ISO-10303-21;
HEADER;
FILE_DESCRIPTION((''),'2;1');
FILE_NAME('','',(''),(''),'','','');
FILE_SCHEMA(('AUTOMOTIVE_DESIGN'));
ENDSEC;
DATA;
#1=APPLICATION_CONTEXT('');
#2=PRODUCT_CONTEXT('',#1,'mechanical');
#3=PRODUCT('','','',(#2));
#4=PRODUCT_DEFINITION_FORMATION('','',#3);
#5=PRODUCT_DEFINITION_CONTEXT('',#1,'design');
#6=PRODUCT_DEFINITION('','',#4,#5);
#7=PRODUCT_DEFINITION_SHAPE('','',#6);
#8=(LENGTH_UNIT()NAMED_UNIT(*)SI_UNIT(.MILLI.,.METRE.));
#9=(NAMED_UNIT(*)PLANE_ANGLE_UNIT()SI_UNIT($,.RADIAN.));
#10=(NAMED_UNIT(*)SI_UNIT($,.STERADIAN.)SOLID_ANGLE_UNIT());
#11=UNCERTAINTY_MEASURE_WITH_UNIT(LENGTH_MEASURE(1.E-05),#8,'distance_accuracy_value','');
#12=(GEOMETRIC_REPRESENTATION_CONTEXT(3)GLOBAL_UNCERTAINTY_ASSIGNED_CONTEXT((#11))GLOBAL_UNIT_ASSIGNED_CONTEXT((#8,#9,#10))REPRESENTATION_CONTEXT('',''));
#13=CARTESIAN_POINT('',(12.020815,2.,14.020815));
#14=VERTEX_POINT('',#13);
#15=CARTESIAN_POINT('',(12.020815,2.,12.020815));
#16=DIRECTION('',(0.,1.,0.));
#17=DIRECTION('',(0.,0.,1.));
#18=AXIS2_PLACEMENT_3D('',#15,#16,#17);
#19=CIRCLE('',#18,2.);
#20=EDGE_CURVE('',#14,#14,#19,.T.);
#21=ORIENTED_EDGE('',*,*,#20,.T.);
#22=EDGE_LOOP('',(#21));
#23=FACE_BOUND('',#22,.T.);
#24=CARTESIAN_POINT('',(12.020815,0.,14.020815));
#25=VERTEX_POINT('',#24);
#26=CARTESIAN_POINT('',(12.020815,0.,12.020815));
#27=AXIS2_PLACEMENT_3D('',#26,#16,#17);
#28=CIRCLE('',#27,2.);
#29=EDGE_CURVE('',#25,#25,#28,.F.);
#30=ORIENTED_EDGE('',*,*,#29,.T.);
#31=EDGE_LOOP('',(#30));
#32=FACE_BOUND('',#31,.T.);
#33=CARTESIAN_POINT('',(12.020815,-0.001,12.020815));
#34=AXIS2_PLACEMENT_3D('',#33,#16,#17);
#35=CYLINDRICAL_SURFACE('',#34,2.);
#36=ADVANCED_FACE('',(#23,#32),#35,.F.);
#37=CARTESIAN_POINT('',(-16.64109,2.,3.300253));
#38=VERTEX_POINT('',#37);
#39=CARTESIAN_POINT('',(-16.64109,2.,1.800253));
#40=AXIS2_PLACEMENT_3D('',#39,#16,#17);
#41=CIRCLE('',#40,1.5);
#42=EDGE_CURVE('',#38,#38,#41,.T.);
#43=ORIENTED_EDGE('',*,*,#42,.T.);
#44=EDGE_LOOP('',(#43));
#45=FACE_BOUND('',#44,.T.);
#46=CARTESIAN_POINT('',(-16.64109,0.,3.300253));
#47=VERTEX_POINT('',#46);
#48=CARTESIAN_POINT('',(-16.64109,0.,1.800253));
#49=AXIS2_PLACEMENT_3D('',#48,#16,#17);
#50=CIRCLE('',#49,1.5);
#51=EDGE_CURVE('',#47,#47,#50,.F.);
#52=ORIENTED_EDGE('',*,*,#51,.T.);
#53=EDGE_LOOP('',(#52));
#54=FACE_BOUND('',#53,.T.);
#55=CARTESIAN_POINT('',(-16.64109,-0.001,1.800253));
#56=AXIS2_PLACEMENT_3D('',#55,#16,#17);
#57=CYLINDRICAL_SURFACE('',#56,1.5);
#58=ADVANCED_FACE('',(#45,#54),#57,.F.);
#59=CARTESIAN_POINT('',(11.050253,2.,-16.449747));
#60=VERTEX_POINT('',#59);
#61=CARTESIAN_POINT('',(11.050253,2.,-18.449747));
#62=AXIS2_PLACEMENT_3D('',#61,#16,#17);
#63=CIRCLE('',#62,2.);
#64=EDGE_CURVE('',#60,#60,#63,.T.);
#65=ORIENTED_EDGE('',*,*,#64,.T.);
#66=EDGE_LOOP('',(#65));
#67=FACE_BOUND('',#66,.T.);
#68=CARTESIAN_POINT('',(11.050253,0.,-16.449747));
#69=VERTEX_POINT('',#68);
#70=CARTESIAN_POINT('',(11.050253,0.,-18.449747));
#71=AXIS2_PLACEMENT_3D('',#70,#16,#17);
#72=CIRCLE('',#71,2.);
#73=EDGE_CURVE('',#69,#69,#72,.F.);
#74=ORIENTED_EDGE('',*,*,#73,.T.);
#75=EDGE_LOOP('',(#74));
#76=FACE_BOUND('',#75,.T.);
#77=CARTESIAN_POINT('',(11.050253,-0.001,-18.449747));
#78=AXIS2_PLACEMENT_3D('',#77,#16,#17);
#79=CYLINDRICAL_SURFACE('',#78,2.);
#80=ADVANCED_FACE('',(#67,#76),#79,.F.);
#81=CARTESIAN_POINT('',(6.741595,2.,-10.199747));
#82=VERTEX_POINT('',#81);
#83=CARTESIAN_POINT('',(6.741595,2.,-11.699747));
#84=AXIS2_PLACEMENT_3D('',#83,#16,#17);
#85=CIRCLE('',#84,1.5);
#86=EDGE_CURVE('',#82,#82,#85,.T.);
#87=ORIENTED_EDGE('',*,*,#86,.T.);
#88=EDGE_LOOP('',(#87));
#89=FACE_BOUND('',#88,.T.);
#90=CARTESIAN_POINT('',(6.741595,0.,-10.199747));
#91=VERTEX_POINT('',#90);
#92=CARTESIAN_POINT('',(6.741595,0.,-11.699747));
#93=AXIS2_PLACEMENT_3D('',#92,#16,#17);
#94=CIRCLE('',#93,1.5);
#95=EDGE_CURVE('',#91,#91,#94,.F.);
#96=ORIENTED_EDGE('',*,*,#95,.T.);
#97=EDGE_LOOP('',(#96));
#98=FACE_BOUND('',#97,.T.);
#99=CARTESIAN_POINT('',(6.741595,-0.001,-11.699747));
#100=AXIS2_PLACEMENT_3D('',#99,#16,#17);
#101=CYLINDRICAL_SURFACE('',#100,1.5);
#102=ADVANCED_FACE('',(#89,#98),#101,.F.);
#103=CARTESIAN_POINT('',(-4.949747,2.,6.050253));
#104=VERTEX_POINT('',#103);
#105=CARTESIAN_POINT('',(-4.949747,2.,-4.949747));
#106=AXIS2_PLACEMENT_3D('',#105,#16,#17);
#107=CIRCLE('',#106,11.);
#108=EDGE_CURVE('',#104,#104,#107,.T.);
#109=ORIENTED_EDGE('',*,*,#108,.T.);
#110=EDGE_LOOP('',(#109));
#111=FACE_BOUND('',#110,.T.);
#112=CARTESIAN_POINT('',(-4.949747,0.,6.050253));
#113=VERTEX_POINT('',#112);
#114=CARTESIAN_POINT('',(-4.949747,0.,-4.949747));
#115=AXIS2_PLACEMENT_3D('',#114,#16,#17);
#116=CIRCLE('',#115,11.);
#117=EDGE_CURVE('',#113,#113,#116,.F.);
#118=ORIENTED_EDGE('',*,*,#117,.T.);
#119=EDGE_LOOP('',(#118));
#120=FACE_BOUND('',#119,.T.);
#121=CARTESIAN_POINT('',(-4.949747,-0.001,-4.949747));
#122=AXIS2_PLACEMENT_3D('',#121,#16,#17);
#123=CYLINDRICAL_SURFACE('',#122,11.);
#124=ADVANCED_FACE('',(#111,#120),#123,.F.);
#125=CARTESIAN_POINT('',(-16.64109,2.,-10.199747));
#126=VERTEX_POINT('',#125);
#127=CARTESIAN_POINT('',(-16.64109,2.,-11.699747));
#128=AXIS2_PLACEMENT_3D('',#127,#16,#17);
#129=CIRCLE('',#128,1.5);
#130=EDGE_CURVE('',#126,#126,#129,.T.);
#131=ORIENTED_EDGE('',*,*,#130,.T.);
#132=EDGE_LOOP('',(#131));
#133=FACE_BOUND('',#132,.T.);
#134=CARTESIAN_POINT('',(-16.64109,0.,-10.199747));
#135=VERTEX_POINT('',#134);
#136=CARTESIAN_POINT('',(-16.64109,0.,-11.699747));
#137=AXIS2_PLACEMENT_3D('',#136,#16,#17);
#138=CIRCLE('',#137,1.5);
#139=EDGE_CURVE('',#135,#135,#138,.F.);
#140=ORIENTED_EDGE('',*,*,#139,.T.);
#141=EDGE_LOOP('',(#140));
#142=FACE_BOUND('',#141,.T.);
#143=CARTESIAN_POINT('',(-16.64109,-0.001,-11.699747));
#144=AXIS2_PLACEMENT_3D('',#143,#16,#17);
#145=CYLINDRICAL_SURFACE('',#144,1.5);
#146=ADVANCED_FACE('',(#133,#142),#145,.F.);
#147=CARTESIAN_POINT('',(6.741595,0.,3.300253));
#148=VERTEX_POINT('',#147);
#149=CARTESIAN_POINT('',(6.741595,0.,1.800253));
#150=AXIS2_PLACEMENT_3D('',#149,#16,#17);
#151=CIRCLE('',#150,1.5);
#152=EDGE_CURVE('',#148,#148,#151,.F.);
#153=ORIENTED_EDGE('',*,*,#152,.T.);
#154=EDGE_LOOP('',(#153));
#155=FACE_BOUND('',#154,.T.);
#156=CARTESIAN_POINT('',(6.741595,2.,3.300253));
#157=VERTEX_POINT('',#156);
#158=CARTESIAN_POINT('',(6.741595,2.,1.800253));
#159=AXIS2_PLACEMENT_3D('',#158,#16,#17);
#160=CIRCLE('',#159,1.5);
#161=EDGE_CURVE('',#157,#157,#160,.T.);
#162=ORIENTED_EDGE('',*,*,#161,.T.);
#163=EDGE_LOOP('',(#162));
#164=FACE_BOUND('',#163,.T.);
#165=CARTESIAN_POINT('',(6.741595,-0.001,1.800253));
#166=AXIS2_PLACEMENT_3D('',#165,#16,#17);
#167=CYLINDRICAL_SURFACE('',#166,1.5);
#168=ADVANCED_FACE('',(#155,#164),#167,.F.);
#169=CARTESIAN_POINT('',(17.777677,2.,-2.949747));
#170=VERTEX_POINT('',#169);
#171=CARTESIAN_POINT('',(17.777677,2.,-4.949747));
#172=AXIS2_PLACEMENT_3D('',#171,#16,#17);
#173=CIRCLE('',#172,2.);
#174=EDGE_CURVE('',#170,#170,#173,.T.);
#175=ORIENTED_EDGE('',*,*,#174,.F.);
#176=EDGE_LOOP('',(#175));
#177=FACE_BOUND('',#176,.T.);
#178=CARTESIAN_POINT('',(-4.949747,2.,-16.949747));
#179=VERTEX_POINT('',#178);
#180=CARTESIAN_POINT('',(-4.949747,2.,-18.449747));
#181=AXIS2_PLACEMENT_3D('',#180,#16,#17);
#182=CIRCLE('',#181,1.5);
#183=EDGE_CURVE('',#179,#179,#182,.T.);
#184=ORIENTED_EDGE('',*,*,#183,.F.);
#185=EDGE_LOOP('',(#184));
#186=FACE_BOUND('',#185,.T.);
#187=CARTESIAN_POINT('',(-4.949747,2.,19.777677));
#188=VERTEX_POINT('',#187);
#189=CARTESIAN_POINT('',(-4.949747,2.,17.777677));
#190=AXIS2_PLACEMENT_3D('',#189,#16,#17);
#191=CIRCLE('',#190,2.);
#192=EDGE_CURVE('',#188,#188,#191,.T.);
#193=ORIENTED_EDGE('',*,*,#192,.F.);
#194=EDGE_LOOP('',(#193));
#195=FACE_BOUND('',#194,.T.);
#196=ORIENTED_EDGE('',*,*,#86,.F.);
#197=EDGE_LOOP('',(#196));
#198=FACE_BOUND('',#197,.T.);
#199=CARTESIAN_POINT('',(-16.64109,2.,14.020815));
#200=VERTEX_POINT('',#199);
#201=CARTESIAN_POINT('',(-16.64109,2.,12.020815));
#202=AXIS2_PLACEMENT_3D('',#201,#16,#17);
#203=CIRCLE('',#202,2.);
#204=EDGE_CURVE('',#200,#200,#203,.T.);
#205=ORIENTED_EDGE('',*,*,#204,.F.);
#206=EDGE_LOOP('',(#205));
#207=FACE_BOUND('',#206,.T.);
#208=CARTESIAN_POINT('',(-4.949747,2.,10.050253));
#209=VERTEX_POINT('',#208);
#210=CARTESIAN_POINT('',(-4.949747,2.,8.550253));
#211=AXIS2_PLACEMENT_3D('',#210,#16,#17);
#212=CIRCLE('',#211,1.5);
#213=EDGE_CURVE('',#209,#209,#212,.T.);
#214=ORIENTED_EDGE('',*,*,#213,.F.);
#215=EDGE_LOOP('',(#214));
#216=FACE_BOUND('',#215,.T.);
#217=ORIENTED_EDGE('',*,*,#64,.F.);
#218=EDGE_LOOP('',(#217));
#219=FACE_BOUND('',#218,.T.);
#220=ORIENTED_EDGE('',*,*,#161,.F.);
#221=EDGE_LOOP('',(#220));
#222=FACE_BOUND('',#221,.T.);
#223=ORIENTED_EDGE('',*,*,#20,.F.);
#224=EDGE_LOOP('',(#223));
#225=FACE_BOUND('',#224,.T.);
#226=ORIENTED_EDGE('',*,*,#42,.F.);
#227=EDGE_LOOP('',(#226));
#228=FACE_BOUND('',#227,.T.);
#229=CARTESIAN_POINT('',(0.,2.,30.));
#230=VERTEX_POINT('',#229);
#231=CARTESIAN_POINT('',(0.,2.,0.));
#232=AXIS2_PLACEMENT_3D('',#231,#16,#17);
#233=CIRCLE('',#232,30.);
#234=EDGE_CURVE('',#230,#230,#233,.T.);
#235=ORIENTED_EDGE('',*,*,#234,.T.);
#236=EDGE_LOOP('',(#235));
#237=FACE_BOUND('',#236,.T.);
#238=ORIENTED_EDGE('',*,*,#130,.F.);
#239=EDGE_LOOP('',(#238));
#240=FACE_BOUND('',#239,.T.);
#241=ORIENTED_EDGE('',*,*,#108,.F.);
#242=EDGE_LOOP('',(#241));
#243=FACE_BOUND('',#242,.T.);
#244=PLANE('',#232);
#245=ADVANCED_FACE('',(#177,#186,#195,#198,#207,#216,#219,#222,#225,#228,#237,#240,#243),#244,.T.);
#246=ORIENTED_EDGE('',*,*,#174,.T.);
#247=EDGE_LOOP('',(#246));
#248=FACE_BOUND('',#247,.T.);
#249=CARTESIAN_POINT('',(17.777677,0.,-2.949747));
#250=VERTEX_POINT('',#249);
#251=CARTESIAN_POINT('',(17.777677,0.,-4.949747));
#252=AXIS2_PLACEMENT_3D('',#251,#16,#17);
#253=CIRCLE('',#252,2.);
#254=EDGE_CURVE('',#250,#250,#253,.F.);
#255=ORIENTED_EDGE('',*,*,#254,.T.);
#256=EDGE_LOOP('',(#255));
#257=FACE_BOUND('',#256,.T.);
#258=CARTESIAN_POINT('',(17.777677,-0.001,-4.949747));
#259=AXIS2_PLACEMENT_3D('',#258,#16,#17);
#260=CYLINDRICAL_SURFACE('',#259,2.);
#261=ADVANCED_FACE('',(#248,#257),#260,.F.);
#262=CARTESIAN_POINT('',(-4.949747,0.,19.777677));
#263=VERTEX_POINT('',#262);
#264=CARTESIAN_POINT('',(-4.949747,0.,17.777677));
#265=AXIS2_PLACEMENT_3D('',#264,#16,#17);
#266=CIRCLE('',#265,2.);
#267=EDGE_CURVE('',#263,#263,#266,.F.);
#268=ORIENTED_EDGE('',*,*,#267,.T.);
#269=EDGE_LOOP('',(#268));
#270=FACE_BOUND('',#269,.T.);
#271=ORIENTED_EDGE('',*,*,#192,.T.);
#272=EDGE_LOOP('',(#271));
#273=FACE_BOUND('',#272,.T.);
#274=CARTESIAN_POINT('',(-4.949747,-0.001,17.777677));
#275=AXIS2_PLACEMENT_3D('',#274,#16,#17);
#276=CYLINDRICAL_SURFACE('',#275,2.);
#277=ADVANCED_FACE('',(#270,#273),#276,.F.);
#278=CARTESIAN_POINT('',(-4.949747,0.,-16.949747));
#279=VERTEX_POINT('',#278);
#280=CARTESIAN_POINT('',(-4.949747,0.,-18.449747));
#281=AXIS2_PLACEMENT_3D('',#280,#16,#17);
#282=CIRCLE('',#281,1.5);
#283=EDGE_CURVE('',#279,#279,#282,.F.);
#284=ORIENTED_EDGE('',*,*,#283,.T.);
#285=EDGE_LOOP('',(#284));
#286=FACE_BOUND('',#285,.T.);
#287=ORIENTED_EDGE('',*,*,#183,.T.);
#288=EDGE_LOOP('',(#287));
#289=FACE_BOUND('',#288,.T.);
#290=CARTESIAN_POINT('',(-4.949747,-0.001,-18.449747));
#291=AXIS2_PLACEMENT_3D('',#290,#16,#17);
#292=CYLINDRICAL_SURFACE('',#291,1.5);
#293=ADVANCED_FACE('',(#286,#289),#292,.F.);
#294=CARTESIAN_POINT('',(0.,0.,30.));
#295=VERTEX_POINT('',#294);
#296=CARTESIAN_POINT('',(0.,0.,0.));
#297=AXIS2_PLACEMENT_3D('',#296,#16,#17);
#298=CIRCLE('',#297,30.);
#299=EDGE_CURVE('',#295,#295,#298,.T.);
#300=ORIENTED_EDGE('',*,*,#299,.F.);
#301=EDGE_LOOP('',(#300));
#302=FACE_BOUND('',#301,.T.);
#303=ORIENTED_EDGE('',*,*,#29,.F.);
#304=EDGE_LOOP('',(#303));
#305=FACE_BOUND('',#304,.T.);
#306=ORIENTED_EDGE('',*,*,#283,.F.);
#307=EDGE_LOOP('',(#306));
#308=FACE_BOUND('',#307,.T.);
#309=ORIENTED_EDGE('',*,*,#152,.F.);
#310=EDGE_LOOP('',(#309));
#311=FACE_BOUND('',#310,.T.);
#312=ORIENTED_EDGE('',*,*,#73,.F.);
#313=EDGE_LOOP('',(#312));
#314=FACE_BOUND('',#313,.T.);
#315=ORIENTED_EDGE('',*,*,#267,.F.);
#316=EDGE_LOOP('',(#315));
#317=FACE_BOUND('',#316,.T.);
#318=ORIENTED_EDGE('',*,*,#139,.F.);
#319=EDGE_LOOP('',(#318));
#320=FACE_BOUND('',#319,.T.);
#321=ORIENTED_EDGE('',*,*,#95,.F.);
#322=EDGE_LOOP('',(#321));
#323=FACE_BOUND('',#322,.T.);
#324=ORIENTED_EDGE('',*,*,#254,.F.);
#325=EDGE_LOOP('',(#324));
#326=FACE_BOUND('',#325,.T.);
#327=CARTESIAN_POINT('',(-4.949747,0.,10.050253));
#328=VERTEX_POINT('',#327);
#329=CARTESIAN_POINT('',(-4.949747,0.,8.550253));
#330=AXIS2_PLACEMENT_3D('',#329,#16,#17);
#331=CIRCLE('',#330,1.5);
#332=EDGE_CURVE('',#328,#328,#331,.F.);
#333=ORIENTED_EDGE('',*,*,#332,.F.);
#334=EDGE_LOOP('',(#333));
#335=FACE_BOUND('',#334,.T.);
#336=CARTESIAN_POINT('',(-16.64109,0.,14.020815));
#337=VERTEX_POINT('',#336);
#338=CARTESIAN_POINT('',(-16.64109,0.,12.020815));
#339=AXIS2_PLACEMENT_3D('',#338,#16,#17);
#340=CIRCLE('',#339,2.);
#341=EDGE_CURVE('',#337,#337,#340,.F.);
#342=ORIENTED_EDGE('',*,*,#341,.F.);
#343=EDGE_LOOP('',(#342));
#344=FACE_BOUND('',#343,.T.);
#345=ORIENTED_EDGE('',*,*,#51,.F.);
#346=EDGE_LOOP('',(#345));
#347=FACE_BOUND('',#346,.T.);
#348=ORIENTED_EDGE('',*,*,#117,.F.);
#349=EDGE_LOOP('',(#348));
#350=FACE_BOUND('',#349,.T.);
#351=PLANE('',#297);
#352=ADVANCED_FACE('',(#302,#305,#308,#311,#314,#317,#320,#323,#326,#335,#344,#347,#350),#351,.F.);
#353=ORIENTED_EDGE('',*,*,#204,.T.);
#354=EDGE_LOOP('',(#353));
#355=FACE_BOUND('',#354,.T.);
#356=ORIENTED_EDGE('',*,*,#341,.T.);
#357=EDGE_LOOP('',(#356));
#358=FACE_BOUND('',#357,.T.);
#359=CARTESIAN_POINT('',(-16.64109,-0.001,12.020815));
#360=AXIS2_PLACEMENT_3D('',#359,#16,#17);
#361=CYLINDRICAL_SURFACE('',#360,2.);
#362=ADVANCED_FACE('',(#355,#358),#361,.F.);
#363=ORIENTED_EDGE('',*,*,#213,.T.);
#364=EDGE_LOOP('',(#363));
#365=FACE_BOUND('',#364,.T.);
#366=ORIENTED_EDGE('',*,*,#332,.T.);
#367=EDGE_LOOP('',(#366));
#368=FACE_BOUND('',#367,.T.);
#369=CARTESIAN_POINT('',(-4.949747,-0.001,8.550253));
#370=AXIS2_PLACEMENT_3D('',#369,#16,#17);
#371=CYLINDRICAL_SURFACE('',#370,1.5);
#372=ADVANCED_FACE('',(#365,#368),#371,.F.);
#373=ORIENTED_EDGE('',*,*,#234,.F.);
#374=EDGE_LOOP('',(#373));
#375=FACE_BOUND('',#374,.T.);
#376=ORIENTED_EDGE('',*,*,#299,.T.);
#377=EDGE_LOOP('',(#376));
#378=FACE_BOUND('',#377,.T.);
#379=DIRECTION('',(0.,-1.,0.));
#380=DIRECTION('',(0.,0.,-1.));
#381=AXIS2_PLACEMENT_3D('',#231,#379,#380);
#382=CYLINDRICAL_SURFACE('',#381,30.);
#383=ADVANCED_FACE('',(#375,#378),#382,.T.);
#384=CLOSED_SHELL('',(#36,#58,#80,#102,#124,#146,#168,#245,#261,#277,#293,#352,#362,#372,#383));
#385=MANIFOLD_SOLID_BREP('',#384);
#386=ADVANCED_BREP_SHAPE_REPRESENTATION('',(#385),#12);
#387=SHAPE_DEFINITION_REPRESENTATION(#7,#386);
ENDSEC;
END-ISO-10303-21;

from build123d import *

# Parameters (mm, degrees)
SKETCH1_R           = 30
BOSS_EXTRUDE1_DEPTH = 2
CUT_EXTRUDE3_REACH  = 44.474
SKETCH4_R           = 11
SKETCH4_R_2         = 1.5
SKETCH4_R_3         = 2


with BuildPart() as part:
    # Sketch1 → Boss-Extrude1 (new body)
    with BuildSketch(Plane(origin=(0, 0, 0), x_dir=(1, 0, 0), z_dir=(0, 1, 0))):
        with Locations(Location((0, 0, 0), (0, 0, 270))):
            Circle(SKETCH1_R)
    extrude(amount=BOSS_EXTRUDE1_DEPTH)

    # Sketch4 → Cut-Extrude3 (cut, up to next)
    with BuildSketch(Plane(origin=(0, 2, 0), x_dir=(1, 0, 0), z_dir=(0, 1, 0)), mode=Mode.PRIVATE) as cut_extrude3_sk1:
        with Locations(Location((-4.949747468, 4.949747468, 0), (0, 0, 270))):
            Circle(SKETCH4_R)
    cut_extrude3_tool1 = extrude(cut_extrude3_sk1.sketch, amount=-CUT_EXTRUDE3_REACH, mode=Mode.PRIVATE) & part.part
    # Sketch4 → Cut-Extrude3 (cut, up to next)
    with BuildSketch(Plane(origin=(0, 2, 0), x_dir=(1, 0, 0), z_dir=(0, 1, 0)), mode=Mode.PRIVATE) as cut_extrude3_sk2:
        with Locations(Location((-4.949747468, 18.449747468, 0), (0, 0, 270))):
            Circle(SKETCH4_R_2)
    cut_extrude3_tool2 = extrude(cut_extrude3_sk2.sketch, amount=-CUT_EXTRUDE3_REACH, mode=Mode.PRIVATE) & part.part
    # Sketch4 → Cut-Extrude3 (cut, up to next)
    with BuildSketch(Plane(origin=(0, 2, 0), x_dir=(1, 0, 0), z_dir=(0, 1, 0)), mode=Mode.PRIVATE) as cut_extrude3_sk3:
        with Locations(Location((6.741595483, 11.699747468, 0), (0, 0, 270))):
            Circle(SKETCH4_R_2)
    cut_extrude3_tool3 = extrude(cut_extrude3_sk3.sketch, amount=-CUT_EXTRUDE3_REACH, mode=Mode.PRIVATE) & part.part
    # Sketch4 → Cut-Extrude3 (cut, up to next)
    with BuildSketch(Plane(origin=(0, 2, 0), x_dir=(1, 0, 0), z_dir=(0, 1, 0)), mode=Mode.PRIVATE) as cut_extrude3_sk4:
        with Locations(Location((6.741595483, -1.800252532, 0), (0, 0, 270))):
            Circle(SKETCH4_R_2)
    cut_extrude3_tool4 = extrude(cut_extrude3_sk4.sketch, amount=-CUT_EXTRUDE3_REACH, mode=Mode.PRIVATE) & part.part
    # Sketch4 → Cut-Extrude3 (cut, up to next)
    with BuildSketch(Plane(origin=(0, 2, 0), x_dir=(1, 0, 0), z_dir=(0, 1, 0)), mode=Mode.PRIVATE) as cut_extrude3_sk5:
        with Locations(Location((-4.949747468, -8.550252532, 0), (0, 0, 270))):
            Circle(SKETCH4_R_2)
    cut_extrude3_tool5 = extrude(cut_extrude3_sk5.sketch, amount=-CUT_EXTRUDE3_REACH, mode=Mode.PRIVATE) & part.part
    # Sketch4 → Cut-Extrude3 (cut, up to next)
    with BuildSketch(Plane(origin=(0, 2, 0), x_dir=(1, 0, 0), z_dir=(0, 1, 0)), mode=Mode.PRIVATE) as cut_extrude3_sk6:
        with Locations(Location((-16.641090419, -1.800252532, 0), (0, 0, 270))):
            Circle(SKETCH4_R_2)
    cut_extrude3_tool6 = extrude(cut_extrude3_sk6.sketch, amount=-CUT_EXTRUDE3_REACH, mode=Mode.PRIVATE) & part.part
    # Sketch4 → Cut-Extrude3 (cut, up to next)
    with BuildSketch(Plane(origin=(0, 2, 0), x_dir=(1, 0, 0), z_dir=(0, 1, 0)), mode=Mode.PRIVATE) as cut_extrude3_sk7:
        with Locations(Location((-16.641090419, 11.699747468, 0), (0, 0, 270))):
            Circle(SKETCH4_R_2)
    cut_extrude3_tool7 = extrude(cut_extrude3_sk7.sketch, amount=-CUT_EXTRUDE3_REACH, mode=Mode.PRIVATE) & part.part
    # Sketch4 → Cut-Extrude3 (cut, up to next)
    with BuildSketch(Plane(origin=(0, 2, 0), x_dir=(1, 0, 0), z_dir=(0, 1, 0)), mode=Mode.PRIVATE) as cut_extrude3_sk8:
        with Locations(Location((-4.949747468, -17.777677021, 0), (0, 0, 270))):
            Circle(SKETCH4_R_3)
    cut_extrude3_tool8 = extrude(cut_extrude3_sk8.sketch, amount=-CUT_EXTRUDE3_REACH, mode=Mode.PRIVATE) & part.part
    # Sketch4 → Cut-Extrude3 (cut, up to next)
    with BuildSketch(Plane(origin=(0, 2, 0), x_dir=(1, 0, 0), z_dir=(0, 1, 0)), mode=Mode.PRIVATE) as cut_extrude3_sk9:
        with Locations(Location((12.02081528, -12.02081528, 0), (0, 0, 270))):
            Circle(SKETCH4_R_3)
    cut_extrude3_tool9 = extrude(cut_extrude3_sk9.sketch, amount=-CUT_EXTRUDE3_REACH, mode=Mode.PRIVATE) & part.part
    # Sketch4 → Cut-Extrude3 (cut, up to next)
    with BuildSketch(Plane(origin=(0, 2, 0), x_dir=(1, 0, 0), z_dir=(0, 1, 0)), mode=Mode.PRIVATE) as cut_extrude3_sk10:
        with Locations(Location((17.777677021, 4.949747468, 0), (0, 0, 270))):
            Circle(SKETCH4_R_3)
    cut_extrude3_tool10 = extrude(cut_extrude3_sk10.sketch, amount=-CUT_EXTRUDE3_REACH, mode=Mode.PRIVATE) & part.part
    # Sketch4 → Cut-Extrude3 (cut, up to next)
    with BuildSketch(Plane(origin=(0, 2, 0), x_dir=(1, 0, 0), z_dir=(0, 1, 0)), mode=Mode.PRIVATE) as cut_extrude3_sk11:
        with Locations(Location((11.050252532, 18.449747468, 0), (0, 0, 270))):
            Circle(SKETCH4_R_3)
    cut_extrude3_tool11 = extrude(cut_extrude3_sk11.sketch, amount=-CUT_EXTRUDE3_REACH, mode=Mode.PRIVATE) & part.part
    # Sketch4 → Cut-Extrude3 (cut, up to next)
    with BuildSketch(Plane(origin=(0, 2, 0), x_dir=(1, 0, 0), z_dir=(0, 1, 0)), mode=Mode.PRIVATE) as cut_extrude3_sk12:
        with Locations(Location((-16.641090419, -12.02081528, 0), (0, 0, 270))):
            Circle(SKETCH4_R_3)
    cut_extrude3_tool12 = extrude(cut_extrude3_sk12.sketch, amount=-CUT_EXTRUDE3_REACH, mode=Mode.PRIVATE) & part.part
    add(cut_extrude3_tool1.solids().sort_by_distance((-4.949747, 2, -4.949747))[0], mode=Mode.SUBTRACT)
    add(cut_extrude3_tool2.solids().sort_by_distance((-4.949747, 2, -18.449747))[0], mode=Mode.SUBTRACT)
    add(cut_extrude3_tool3.solids().sort_by_distance((6.741595, 2, -11.699747))[0], mode=Mode.SUBTRACT)
    add(cut_extrude3_tool4.solids().sort_by_distance((6.741595, 2, 1.800253))[0], mode=Mode.SUBTRACT)
    add(cut_extrude3_tool5.solids().sort_by_distance((-4.949747, 2, 8.550253))[0], mode=Mode.SUBTRACT)
    add(cut_extrude3_tool6.solids().sort_by_distance((-16.64109, 2, 1.800253))[0], mode=Mode.SUBTRACT)
    add(cut_extrude3_tool7.solids().sort_by_distance((-16.64109, 2, -11.699747))[0], mode=Mode.SUBTRACT)
    add(cut_extrude3_tool8.solids().sort_by_distance((-4.949747, 2, 17.777677))[0], mode=Mode.SUBTRACT)
    add(cut_extrude3_tool9.solids().sort_by_distance((12.020815, 2, 12.020815))[0], mode=Mode.SUBTRACT)
    add(cut_extrude3_tool10.solids().sort_by_distance((17.777677, 2, -4.949747))[0], mode=Mode.SUBTRACT)
    add(cut_extrude3_tool11.solids().sort_by_distance((11.050253, 2, -18.449747))[0], mode=Mode.SUBTRACT)
    add(cut_extrude3_tool12.solids().sort_by_distance((-16.64109, 2, 12.020815))[0], mode=Mode.SUBTRACT)


solid = part.part
